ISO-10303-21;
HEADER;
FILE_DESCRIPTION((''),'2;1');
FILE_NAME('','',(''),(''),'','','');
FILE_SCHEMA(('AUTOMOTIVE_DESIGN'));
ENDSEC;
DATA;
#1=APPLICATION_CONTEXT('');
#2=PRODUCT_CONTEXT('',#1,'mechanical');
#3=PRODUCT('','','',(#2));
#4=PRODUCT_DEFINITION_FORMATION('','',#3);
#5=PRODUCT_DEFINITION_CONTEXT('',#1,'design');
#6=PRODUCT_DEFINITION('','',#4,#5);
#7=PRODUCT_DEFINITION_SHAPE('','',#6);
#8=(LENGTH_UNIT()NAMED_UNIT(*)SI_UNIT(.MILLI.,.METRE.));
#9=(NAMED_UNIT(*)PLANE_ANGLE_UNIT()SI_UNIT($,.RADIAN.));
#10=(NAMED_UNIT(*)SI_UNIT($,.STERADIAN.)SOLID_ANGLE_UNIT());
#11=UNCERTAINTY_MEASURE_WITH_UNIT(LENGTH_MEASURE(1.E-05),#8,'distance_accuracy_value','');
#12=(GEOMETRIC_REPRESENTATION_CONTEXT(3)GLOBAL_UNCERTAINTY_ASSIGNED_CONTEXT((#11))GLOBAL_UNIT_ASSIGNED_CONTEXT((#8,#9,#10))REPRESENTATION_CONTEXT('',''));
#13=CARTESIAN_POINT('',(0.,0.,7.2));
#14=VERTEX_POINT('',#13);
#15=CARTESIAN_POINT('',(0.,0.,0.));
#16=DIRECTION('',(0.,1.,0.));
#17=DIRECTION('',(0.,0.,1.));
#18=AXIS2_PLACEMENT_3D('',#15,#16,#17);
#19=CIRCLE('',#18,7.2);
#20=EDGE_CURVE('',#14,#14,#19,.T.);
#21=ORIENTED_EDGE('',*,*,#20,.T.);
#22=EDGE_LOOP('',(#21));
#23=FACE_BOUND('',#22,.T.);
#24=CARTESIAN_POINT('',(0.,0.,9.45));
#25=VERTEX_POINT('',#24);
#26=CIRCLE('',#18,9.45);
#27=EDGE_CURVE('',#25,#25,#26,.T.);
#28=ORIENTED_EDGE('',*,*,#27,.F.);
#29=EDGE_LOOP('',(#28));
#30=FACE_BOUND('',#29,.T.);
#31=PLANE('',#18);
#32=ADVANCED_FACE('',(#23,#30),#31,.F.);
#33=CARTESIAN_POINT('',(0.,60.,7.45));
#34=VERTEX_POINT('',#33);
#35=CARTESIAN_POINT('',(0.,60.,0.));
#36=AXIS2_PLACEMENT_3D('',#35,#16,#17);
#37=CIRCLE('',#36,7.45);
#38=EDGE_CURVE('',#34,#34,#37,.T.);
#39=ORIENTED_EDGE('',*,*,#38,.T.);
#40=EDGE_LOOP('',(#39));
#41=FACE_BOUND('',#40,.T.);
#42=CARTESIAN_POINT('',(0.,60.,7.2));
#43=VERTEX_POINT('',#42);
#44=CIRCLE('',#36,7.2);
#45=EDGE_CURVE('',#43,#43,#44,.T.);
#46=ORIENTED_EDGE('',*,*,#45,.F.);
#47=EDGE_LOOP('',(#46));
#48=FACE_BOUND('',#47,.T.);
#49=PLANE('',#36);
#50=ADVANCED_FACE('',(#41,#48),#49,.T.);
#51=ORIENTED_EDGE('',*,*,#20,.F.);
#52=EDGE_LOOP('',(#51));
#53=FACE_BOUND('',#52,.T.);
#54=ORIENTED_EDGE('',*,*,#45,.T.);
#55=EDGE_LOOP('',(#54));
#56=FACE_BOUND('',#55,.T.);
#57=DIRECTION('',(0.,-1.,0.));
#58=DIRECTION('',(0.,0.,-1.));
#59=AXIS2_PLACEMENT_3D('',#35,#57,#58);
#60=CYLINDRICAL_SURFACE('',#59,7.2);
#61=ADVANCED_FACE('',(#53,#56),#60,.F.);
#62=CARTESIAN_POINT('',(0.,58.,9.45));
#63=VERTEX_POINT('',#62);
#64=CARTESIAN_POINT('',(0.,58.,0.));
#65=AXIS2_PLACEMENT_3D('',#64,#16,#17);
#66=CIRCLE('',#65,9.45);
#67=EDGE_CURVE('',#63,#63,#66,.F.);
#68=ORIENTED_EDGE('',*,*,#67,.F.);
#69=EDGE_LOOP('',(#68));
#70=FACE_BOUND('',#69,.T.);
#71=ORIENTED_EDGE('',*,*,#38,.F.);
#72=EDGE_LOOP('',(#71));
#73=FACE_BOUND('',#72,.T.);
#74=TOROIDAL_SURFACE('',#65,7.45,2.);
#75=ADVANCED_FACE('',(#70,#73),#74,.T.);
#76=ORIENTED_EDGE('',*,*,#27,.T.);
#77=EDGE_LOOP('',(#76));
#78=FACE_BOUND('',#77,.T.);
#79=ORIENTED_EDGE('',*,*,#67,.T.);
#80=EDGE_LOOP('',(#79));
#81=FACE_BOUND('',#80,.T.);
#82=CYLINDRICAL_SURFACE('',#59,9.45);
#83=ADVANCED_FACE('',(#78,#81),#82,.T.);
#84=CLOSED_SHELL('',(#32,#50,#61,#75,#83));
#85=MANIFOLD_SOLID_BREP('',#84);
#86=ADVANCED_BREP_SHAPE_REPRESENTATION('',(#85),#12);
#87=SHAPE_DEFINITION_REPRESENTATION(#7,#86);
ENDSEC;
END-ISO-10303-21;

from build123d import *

# Parameters (mm, degrees)
SKETCH1_R           = 9.45
SKETCH1_R_2         = 7.2
BOSS_EXTRUDE1_DEPTH = 60
FILLET1_R           = 2


with BuildPart() as part:
    # Sketch1 → Boss-Extrude1 (new body)
    with BuildSketch(Plane(origin=(0, 0, 0), x_dir=(1, 0, 0), z_dir=(0, 1, 0))):
        with Locations(Location((0, 0, 0), (0, 0, 270))):
            Circle(SKETCH1_R)
        with Locations(Location((0, 0, 0), (0, 0, 270))):
            Circle(SKETCH1_R_2, mode=Mode.SUBTRACT)
    extrude(amount=BOSS_EXTRUDE1_DEPTH)

    # Fillet1
    fillet1_edges = [part.edges().sort_by_distance(p)[0] for p in [
        (0, 60, -9.45),
    ]]
    fillet(fillet1_edges, radius=FILLET1_R)


solid = part.part
